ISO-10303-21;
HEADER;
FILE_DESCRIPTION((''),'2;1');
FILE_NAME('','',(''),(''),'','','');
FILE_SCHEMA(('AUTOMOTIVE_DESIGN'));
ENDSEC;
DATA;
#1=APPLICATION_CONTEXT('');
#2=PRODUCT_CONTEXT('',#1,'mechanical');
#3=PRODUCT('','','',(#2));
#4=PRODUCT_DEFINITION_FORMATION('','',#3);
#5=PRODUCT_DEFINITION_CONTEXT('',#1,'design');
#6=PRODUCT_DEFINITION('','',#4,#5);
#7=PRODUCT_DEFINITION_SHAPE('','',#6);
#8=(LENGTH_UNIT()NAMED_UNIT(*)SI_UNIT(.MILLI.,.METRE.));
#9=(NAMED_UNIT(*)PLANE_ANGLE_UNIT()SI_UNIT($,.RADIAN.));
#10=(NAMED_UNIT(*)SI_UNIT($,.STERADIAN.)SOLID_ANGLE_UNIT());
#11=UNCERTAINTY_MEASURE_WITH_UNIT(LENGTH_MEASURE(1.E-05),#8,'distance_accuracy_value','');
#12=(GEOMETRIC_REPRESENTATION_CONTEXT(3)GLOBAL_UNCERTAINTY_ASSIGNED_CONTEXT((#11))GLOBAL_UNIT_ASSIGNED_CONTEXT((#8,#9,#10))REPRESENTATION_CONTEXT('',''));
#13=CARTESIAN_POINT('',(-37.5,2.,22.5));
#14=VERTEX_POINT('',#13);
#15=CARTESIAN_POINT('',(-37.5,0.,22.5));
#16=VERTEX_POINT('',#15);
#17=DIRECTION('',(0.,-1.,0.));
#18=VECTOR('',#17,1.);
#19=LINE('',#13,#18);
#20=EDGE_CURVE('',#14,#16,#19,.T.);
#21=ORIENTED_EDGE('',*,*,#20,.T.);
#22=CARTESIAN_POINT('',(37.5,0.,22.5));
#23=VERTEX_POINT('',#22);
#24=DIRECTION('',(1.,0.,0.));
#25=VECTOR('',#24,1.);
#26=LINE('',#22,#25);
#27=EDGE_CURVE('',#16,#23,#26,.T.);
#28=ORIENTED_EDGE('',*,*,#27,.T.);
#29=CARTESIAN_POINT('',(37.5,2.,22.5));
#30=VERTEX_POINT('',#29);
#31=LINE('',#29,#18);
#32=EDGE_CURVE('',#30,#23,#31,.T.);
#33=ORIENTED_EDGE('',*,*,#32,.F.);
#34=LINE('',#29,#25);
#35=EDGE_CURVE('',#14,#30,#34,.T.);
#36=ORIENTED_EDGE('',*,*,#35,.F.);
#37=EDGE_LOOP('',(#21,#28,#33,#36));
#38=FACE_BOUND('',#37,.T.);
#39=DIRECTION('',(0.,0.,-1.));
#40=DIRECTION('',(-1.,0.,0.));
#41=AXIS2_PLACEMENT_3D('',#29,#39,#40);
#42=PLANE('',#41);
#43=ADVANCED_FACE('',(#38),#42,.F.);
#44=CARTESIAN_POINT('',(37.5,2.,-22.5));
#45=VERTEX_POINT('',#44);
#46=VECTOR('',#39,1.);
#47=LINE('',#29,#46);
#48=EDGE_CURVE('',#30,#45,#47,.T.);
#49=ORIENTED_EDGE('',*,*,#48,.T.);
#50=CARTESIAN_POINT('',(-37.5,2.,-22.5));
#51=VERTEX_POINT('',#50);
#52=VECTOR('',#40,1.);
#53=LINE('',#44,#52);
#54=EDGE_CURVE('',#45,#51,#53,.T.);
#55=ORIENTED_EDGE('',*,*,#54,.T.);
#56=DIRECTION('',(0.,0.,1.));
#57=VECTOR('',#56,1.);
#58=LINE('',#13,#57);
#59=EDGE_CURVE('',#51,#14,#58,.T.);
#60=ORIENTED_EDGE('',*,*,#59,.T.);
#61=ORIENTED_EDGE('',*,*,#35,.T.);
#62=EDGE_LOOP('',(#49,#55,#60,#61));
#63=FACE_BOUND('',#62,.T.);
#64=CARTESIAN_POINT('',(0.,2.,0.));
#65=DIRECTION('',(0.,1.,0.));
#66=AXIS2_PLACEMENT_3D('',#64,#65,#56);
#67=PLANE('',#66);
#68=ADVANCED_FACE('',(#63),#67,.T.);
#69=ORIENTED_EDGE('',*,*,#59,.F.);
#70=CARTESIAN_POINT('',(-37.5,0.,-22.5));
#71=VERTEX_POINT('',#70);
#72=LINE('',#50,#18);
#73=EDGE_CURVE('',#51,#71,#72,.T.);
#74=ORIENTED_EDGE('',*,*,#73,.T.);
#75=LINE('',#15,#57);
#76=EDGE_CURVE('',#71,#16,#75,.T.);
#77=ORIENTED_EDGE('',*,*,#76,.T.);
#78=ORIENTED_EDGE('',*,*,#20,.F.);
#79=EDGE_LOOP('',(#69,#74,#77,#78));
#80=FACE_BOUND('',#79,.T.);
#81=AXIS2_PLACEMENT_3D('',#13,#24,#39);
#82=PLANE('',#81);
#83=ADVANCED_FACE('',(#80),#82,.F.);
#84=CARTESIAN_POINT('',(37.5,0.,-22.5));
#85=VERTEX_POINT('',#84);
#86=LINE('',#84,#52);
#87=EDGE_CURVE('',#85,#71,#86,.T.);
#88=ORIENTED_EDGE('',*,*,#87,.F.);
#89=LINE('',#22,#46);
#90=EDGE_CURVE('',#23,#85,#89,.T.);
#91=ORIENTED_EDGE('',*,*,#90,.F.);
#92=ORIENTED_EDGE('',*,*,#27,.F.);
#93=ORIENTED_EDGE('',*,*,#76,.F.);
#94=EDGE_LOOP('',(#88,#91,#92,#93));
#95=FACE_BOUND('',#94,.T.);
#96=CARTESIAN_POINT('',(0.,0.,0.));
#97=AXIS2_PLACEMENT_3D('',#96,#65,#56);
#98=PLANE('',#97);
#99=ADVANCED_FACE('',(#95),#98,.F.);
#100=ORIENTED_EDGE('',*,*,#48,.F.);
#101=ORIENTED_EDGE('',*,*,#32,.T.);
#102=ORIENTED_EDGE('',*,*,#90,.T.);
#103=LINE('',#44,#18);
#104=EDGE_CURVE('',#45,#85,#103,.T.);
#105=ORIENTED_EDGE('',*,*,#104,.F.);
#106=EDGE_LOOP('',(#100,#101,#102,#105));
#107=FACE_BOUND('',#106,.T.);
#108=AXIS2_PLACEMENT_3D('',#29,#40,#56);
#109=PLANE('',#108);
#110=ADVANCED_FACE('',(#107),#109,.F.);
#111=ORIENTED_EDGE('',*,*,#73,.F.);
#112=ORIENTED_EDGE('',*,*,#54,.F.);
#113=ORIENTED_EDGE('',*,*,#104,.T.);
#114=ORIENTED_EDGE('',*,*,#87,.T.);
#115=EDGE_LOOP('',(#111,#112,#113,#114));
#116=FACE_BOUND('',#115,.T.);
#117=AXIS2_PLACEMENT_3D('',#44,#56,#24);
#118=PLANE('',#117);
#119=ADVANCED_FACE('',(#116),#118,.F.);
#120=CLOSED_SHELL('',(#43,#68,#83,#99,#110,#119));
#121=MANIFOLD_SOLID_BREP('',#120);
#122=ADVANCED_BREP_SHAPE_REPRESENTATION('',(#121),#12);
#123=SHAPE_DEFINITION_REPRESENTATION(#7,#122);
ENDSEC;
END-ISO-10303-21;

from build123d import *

# Parameters (mm, degrees)
SKETCH_1_W      = 75
SKETCH_1_H      = 45
EXTRUDE_1_DEPTH = 2


with BuildPart() as part:
    # 草图1 → 凸台-拉伸1 (new body)
    with BuildSketch(Plane(origin=(0, 0, 0), x_dir=(1, 0, 0), z_dir=(0, 1, 0))):
        Rectangle(SKETCH_1_W, SKETCH_1_H)
    extrude(amount=EXTRUDE_1_DEPTH)


solid = part.part
